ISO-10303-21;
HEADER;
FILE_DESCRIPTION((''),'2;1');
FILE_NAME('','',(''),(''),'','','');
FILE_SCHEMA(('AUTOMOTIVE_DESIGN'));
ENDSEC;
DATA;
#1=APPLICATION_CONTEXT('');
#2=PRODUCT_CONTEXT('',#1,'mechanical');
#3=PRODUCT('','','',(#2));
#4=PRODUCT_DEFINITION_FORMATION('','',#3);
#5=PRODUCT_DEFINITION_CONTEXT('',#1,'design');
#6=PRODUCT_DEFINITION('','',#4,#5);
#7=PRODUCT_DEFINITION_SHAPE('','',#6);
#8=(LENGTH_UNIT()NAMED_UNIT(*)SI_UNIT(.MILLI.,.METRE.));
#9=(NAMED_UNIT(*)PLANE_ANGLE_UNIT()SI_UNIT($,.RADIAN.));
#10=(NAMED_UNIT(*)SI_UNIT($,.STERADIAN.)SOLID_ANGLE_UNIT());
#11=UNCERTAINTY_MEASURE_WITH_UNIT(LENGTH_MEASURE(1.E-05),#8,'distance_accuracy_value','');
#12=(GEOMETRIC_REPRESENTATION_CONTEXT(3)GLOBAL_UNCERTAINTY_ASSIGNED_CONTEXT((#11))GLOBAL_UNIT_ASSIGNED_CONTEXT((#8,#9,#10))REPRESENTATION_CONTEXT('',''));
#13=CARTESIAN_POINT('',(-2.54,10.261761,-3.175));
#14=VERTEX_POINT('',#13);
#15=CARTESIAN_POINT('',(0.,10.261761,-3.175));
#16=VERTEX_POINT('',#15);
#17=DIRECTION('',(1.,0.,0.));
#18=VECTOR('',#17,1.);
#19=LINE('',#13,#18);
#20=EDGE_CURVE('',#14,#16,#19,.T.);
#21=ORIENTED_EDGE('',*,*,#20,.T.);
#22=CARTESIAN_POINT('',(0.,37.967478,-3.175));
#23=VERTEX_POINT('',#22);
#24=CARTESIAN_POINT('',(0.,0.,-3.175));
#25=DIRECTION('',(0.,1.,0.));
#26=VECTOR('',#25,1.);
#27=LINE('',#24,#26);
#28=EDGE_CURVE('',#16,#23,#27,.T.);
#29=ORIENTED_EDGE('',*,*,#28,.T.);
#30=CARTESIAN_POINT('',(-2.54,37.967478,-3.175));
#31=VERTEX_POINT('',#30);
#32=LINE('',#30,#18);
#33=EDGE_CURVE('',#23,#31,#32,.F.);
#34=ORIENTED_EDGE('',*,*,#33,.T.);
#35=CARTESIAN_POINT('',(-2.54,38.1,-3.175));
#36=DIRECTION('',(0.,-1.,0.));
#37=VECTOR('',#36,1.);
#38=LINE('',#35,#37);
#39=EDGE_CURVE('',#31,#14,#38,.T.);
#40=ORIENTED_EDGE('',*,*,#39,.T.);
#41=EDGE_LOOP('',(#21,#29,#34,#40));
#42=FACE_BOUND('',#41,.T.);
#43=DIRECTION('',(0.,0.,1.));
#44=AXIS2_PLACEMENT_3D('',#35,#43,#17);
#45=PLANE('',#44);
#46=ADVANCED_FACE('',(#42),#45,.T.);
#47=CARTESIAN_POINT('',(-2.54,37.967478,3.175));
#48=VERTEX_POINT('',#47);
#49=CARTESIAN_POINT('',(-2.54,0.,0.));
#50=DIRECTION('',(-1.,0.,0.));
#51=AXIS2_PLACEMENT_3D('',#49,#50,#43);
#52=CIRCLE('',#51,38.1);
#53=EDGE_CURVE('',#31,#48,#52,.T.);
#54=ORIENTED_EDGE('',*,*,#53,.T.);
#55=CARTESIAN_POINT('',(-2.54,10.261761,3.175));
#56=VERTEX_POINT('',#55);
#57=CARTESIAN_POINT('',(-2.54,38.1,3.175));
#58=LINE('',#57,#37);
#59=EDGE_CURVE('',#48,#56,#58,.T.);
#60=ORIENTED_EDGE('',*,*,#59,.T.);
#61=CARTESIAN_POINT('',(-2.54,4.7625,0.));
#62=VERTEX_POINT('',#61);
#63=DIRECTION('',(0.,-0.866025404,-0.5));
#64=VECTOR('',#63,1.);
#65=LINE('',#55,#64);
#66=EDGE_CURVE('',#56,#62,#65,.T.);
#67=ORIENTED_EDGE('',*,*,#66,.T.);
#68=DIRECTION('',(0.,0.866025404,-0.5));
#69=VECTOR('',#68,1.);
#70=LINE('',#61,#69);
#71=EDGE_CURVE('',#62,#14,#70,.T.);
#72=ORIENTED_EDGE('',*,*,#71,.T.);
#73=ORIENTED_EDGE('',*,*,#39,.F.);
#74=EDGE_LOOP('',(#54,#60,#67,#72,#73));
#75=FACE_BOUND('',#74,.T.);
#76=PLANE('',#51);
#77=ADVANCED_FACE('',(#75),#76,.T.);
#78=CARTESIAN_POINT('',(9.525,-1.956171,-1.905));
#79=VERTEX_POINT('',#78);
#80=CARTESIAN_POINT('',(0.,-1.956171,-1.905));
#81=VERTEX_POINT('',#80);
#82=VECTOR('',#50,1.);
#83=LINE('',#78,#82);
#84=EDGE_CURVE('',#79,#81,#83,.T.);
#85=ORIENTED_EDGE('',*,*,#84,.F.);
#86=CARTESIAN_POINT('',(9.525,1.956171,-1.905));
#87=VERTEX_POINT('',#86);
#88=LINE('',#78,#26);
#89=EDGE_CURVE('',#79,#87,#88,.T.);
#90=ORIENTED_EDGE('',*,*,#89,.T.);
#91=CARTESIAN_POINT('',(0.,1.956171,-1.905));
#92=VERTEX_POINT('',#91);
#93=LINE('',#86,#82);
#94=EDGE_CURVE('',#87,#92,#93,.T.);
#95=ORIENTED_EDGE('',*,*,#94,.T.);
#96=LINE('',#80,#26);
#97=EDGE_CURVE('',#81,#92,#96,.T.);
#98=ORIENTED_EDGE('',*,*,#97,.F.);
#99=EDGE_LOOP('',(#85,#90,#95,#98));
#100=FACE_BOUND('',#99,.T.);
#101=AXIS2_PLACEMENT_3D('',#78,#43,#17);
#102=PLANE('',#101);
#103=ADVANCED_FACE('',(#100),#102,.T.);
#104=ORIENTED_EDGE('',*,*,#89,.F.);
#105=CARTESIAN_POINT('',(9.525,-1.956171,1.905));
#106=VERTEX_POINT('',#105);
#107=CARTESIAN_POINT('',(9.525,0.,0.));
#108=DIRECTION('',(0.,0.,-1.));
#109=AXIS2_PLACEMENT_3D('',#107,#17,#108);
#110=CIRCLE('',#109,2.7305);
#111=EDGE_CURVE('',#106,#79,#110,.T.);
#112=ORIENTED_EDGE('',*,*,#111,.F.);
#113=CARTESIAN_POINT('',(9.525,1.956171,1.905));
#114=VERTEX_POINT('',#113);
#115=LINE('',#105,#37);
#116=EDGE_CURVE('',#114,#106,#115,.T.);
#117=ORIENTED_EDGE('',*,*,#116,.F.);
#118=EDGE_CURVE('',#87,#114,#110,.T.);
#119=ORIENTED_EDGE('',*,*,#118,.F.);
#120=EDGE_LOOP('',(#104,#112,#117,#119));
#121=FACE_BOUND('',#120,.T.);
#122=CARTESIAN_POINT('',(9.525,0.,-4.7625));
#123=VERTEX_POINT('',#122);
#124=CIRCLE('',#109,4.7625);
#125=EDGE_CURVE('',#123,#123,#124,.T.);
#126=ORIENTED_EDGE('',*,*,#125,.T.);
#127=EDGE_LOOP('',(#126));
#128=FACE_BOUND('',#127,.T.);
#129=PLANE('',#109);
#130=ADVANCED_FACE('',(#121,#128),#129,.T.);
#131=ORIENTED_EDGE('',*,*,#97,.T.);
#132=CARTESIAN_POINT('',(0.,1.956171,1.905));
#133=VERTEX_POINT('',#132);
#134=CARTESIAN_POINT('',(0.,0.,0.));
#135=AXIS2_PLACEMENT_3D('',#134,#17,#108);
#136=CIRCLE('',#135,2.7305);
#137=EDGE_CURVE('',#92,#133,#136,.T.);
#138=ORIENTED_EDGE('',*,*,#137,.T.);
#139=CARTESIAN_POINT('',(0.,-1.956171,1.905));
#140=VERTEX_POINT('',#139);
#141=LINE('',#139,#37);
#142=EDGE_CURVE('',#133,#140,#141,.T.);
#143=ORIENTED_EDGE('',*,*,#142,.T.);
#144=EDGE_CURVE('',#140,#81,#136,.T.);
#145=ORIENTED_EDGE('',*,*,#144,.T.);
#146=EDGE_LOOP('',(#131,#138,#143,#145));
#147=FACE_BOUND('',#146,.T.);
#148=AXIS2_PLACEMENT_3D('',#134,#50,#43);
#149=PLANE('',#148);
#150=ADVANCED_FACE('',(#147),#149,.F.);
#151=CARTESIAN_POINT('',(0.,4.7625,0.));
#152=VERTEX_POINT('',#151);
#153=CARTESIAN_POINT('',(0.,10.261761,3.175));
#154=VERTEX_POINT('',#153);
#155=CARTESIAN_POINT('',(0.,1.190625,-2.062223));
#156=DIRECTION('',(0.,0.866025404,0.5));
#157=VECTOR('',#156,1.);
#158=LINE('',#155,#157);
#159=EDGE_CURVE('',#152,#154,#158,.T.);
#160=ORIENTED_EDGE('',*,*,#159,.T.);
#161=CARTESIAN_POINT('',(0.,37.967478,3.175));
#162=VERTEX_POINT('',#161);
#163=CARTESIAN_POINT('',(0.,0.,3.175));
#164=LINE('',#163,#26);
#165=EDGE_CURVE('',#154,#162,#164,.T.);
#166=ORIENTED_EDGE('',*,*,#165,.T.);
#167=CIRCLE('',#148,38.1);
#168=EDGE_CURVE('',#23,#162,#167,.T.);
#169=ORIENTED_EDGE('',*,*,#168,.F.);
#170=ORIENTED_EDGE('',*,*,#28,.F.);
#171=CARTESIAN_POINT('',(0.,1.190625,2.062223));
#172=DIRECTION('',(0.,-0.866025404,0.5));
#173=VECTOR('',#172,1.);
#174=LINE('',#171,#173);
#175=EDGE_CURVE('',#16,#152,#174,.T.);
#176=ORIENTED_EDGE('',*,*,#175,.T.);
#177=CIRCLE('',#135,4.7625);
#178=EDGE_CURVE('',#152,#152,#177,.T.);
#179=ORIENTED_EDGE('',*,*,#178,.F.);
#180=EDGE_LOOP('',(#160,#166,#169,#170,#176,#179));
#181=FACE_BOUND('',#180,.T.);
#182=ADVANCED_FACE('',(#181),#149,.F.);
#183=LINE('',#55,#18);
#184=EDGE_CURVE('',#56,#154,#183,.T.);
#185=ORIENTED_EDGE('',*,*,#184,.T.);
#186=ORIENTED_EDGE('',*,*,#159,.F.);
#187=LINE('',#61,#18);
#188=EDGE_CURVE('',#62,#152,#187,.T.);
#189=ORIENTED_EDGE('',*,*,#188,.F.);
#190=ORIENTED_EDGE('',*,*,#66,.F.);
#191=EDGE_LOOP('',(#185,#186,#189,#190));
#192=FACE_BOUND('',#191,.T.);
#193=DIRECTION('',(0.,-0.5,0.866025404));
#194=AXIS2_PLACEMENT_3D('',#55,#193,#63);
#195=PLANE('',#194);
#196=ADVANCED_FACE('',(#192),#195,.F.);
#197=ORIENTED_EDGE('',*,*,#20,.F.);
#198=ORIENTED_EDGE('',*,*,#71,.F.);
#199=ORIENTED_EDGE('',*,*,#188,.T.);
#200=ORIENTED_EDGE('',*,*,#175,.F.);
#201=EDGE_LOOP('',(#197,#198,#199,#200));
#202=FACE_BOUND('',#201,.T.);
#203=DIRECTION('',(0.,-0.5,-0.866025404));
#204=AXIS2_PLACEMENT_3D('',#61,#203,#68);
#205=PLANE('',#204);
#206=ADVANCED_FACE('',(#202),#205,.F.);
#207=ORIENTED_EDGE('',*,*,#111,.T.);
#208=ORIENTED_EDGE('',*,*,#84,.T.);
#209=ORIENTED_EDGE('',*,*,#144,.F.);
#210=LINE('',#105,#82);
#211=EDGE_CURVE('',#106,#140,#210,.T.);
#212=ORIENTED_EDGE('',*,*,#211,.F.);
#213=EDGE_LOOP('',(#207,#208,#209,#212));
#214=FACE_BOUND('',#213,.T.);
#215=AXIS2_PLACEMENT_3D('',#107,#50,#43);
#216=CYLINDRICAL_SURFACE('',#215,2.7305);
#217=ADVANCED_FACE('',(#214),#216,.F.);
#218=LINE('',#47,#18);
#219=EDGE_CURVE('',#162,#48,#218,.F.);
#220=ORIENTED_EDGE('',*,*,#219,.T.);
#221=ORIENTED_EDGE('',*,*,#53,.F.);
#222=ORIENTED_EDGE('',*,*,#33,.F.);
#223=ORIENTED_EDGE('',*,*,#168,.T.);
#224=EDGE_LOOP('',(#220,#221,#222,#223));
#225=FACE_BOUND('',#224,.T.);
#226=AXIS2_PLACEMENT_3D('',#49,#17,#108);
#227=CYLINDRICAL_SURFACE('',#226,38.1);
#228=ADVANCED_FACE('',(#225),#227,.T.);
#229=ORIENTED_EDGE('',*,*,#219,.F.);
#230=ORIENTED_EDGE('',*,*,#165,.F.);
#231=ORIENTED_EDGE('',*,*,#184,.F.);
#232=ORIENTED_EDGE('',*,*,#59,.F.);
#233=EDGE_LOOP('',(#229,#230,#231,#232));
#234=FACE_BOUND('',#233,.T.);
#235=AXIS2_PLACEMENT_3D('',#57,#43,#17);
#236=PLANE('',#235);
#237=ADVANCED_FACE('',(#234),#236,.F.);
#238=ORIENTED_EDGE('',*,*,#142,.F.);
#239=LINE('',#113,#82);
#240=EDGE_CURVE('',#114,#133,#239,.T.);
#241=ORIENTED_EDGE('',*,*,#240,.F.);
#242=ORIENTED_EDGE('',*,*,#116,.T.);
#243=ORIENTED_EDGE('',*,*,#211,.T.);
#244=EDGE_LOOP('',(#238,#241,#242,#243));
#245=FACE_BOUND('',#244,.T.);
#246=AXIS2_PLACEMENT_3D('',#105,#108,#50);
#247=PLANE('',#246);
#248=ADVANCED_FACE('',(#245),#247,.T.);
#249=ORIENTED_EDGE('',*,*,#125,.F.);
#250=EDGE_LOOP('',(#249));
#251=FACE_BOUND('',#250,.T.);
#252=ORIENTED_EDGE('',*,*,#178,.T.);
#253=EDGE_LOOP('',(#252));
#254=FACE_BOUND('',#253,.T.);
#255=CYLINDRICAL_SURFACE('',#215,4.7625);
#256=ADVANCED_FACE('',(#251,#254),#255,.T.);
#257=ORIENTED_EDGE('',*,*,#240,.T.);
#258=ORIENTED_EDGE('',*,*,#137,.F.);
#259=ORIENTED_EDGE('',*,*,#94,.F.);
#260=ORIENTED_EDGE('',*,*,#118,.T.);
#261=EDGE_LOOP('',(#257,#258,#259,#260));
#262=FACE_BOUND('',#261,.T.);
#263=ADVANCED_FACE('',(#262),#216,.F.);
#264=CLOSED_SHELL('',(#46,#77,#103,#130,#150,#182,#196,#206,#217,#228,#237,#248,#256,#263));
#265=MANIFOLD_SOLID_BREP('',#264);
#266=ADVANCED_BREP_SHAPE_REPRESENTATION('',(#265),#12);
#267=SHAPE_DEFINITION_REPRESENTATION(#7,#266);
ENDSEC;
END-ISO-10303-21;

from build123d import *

# Parameters (mm, degrees)
SKETCH1_R               = 4.7625
BOSS_EXTRUDE1_DEPTH     = 9.525
SKETCH2_R               = 38.1
BOSS_EXTRUDE2_DEPTH     = 2.54
CUT_EXTRUDE1_DEPTH      = 55.716959208
CUT_EXTRUDE1_DEPTH_BACK = 55.716959208


with BuildPart() as part:
    # Sketch1 → Boss-Extrude1 (new body)
    with BuildSketch(Plane(origin=(0, 0, 0), x_dir=(0, 0, -1), z_dir=(1, 0, 0))):
        with Locations(Location((0, 0, 0), (0, 0, 180))):
            Circle(SKETCH1_R)
        with BuildLine():
            Line((-1.905, -1.956171069), (-1.905, 1.956171069))
            ThreePointArc((-1.905, 1.956171069), (0, 2.7305), (1.905, 1.956171069))
            Line((1.905, 1.956171069), (1.905, -1.956171069))
            ThreePointArc((1.905, -1.956171069), (0, -2.7305), (-1.905, -1.956171069))
        make_face(mode=Mode.SUBTRACT)
    extrude(amount=BOSS_EXTRUDE1_DEPTH)

    # Sketch2 → Boss-Extrude2 (add)
    with BuildSketch(Plane.ZY):
        Circle(SKETCH2_R)
    extrude(amount=BOSS_EXTRUDE2_DEPTH)

    # Sketch3 → Cut-Extrude1 (cut, two sides: drawn at the far end of the back side and taken through both)
    with BuildSketch(Plane(origin=(0, 0, 0), x_dir=(0, 0, -1), z_dir=(1, 0, 0)).offset(-CUT_EXTRUDE1_DEPTH_BACK)):
        Polygon((-3.175, 10.261761314), (0, 4.7625), (3.175, 10.261761314), (3.175, 38.1), (-3.175, 38.1), align=None)
    extrude(amount=CUT_EXTRUDE1_DEPTH + CUT_EXTRUDE1_DEPTH_BACK, mode=Mode.SUBTRACT)


solid = part.part
